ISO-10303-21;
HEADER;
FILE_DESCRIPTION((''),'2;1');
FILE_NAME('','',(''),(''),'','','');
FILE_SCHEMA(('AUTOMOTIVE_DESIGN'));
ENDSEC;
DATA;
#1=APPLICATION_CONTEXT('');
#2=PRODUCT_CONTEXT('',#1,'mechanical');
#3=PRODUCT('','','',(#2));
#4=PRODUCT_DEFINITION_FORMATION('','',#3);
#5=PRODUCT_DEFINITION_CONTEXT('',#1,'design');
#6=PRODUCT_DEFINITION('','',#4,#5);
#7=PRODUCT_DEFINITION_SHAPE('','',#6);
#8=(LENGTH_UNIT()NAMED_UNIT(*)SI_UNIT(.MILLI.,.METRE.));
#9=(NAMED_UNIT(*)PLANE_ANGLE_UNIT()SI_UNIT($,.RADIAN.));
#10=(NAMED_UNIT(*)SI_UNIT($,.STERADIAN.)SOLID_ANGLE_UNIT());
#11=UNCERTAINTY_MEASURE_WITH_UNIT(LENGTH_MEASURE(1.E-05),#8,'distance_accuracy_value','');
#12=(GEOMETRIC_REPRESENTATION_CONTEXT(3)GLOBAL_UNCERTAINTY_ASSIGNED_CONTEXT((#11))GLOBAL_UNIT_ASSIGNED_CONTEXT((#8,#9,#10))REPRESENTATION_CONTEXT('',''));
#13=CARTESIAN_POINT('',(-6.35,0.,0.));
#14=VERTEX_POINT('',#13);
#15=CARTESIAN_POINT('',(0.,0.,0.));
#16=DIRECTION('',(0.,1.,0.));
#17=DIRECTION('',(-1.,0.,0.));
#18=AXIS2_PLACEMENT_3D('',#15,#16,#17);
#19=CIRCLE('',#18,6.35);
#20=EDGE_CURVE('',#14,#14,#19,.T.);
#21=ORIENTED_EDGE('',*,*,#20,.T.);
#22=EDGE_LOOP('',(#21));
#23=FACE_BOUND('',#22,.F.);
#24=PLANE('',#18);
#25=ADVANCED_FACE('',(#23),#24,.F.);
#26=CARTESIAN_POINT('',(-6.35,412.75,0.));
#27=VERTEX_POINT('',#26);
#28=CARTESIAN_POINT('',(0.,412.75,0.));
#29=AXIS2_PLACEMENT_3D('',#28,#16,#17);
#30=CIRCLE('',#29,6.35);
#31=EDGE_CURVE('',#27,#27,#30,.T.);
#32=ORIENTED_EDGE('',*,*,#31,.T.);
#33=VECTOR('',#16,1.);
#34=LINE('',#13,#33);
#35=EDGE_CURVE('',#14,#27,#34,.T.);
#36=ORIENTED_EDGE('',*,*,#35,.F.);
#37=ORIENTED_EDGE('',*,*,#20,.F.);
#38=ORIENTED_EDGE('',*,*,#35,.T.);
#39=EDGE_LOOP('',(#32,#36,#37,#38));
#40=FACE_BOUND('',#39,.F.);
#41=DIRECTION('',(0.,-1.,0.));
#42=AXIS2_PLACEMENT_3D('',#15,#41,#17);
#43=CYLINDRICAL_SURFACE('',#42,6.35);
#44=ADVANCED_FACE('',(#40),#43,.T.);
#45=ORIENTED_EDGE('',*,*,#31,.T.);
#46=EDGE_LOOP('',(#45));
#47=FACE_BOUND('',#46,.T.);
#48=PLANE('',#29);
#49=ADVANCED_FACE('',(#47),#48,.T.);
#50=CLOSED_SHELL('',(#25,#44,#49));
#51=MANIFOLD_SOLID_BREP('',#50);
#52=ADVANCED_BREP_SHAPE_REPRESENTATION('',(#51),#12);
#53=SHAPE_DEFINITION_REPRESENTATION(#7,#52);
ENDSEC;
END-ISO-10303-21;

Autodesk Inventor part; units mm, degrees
ref_plane "YZ Plane" through (0, 0, 0) normal (1, 0, 0) x (0, 1, 0)
ref_plane "XZ Plane" through (0, 0, 0) normal (0, 1, 0) x (-1, 0, 0)
ref_plane "XY Plane" through (0, 0, 0) normal (0, 0, 1) x (1, 0, 0)
sketch "Sketch1" plane through (0, 0, 0) normal (0, 1, 0) x (-1, 0, 0)
  circle A0 centre (0, 0) radius 6.35
  dimension "d0" = 12.7
extrude "Extrusion1" add sketch "Sketch1" along normal blind 412.75
properties part number "CrossBrace"
